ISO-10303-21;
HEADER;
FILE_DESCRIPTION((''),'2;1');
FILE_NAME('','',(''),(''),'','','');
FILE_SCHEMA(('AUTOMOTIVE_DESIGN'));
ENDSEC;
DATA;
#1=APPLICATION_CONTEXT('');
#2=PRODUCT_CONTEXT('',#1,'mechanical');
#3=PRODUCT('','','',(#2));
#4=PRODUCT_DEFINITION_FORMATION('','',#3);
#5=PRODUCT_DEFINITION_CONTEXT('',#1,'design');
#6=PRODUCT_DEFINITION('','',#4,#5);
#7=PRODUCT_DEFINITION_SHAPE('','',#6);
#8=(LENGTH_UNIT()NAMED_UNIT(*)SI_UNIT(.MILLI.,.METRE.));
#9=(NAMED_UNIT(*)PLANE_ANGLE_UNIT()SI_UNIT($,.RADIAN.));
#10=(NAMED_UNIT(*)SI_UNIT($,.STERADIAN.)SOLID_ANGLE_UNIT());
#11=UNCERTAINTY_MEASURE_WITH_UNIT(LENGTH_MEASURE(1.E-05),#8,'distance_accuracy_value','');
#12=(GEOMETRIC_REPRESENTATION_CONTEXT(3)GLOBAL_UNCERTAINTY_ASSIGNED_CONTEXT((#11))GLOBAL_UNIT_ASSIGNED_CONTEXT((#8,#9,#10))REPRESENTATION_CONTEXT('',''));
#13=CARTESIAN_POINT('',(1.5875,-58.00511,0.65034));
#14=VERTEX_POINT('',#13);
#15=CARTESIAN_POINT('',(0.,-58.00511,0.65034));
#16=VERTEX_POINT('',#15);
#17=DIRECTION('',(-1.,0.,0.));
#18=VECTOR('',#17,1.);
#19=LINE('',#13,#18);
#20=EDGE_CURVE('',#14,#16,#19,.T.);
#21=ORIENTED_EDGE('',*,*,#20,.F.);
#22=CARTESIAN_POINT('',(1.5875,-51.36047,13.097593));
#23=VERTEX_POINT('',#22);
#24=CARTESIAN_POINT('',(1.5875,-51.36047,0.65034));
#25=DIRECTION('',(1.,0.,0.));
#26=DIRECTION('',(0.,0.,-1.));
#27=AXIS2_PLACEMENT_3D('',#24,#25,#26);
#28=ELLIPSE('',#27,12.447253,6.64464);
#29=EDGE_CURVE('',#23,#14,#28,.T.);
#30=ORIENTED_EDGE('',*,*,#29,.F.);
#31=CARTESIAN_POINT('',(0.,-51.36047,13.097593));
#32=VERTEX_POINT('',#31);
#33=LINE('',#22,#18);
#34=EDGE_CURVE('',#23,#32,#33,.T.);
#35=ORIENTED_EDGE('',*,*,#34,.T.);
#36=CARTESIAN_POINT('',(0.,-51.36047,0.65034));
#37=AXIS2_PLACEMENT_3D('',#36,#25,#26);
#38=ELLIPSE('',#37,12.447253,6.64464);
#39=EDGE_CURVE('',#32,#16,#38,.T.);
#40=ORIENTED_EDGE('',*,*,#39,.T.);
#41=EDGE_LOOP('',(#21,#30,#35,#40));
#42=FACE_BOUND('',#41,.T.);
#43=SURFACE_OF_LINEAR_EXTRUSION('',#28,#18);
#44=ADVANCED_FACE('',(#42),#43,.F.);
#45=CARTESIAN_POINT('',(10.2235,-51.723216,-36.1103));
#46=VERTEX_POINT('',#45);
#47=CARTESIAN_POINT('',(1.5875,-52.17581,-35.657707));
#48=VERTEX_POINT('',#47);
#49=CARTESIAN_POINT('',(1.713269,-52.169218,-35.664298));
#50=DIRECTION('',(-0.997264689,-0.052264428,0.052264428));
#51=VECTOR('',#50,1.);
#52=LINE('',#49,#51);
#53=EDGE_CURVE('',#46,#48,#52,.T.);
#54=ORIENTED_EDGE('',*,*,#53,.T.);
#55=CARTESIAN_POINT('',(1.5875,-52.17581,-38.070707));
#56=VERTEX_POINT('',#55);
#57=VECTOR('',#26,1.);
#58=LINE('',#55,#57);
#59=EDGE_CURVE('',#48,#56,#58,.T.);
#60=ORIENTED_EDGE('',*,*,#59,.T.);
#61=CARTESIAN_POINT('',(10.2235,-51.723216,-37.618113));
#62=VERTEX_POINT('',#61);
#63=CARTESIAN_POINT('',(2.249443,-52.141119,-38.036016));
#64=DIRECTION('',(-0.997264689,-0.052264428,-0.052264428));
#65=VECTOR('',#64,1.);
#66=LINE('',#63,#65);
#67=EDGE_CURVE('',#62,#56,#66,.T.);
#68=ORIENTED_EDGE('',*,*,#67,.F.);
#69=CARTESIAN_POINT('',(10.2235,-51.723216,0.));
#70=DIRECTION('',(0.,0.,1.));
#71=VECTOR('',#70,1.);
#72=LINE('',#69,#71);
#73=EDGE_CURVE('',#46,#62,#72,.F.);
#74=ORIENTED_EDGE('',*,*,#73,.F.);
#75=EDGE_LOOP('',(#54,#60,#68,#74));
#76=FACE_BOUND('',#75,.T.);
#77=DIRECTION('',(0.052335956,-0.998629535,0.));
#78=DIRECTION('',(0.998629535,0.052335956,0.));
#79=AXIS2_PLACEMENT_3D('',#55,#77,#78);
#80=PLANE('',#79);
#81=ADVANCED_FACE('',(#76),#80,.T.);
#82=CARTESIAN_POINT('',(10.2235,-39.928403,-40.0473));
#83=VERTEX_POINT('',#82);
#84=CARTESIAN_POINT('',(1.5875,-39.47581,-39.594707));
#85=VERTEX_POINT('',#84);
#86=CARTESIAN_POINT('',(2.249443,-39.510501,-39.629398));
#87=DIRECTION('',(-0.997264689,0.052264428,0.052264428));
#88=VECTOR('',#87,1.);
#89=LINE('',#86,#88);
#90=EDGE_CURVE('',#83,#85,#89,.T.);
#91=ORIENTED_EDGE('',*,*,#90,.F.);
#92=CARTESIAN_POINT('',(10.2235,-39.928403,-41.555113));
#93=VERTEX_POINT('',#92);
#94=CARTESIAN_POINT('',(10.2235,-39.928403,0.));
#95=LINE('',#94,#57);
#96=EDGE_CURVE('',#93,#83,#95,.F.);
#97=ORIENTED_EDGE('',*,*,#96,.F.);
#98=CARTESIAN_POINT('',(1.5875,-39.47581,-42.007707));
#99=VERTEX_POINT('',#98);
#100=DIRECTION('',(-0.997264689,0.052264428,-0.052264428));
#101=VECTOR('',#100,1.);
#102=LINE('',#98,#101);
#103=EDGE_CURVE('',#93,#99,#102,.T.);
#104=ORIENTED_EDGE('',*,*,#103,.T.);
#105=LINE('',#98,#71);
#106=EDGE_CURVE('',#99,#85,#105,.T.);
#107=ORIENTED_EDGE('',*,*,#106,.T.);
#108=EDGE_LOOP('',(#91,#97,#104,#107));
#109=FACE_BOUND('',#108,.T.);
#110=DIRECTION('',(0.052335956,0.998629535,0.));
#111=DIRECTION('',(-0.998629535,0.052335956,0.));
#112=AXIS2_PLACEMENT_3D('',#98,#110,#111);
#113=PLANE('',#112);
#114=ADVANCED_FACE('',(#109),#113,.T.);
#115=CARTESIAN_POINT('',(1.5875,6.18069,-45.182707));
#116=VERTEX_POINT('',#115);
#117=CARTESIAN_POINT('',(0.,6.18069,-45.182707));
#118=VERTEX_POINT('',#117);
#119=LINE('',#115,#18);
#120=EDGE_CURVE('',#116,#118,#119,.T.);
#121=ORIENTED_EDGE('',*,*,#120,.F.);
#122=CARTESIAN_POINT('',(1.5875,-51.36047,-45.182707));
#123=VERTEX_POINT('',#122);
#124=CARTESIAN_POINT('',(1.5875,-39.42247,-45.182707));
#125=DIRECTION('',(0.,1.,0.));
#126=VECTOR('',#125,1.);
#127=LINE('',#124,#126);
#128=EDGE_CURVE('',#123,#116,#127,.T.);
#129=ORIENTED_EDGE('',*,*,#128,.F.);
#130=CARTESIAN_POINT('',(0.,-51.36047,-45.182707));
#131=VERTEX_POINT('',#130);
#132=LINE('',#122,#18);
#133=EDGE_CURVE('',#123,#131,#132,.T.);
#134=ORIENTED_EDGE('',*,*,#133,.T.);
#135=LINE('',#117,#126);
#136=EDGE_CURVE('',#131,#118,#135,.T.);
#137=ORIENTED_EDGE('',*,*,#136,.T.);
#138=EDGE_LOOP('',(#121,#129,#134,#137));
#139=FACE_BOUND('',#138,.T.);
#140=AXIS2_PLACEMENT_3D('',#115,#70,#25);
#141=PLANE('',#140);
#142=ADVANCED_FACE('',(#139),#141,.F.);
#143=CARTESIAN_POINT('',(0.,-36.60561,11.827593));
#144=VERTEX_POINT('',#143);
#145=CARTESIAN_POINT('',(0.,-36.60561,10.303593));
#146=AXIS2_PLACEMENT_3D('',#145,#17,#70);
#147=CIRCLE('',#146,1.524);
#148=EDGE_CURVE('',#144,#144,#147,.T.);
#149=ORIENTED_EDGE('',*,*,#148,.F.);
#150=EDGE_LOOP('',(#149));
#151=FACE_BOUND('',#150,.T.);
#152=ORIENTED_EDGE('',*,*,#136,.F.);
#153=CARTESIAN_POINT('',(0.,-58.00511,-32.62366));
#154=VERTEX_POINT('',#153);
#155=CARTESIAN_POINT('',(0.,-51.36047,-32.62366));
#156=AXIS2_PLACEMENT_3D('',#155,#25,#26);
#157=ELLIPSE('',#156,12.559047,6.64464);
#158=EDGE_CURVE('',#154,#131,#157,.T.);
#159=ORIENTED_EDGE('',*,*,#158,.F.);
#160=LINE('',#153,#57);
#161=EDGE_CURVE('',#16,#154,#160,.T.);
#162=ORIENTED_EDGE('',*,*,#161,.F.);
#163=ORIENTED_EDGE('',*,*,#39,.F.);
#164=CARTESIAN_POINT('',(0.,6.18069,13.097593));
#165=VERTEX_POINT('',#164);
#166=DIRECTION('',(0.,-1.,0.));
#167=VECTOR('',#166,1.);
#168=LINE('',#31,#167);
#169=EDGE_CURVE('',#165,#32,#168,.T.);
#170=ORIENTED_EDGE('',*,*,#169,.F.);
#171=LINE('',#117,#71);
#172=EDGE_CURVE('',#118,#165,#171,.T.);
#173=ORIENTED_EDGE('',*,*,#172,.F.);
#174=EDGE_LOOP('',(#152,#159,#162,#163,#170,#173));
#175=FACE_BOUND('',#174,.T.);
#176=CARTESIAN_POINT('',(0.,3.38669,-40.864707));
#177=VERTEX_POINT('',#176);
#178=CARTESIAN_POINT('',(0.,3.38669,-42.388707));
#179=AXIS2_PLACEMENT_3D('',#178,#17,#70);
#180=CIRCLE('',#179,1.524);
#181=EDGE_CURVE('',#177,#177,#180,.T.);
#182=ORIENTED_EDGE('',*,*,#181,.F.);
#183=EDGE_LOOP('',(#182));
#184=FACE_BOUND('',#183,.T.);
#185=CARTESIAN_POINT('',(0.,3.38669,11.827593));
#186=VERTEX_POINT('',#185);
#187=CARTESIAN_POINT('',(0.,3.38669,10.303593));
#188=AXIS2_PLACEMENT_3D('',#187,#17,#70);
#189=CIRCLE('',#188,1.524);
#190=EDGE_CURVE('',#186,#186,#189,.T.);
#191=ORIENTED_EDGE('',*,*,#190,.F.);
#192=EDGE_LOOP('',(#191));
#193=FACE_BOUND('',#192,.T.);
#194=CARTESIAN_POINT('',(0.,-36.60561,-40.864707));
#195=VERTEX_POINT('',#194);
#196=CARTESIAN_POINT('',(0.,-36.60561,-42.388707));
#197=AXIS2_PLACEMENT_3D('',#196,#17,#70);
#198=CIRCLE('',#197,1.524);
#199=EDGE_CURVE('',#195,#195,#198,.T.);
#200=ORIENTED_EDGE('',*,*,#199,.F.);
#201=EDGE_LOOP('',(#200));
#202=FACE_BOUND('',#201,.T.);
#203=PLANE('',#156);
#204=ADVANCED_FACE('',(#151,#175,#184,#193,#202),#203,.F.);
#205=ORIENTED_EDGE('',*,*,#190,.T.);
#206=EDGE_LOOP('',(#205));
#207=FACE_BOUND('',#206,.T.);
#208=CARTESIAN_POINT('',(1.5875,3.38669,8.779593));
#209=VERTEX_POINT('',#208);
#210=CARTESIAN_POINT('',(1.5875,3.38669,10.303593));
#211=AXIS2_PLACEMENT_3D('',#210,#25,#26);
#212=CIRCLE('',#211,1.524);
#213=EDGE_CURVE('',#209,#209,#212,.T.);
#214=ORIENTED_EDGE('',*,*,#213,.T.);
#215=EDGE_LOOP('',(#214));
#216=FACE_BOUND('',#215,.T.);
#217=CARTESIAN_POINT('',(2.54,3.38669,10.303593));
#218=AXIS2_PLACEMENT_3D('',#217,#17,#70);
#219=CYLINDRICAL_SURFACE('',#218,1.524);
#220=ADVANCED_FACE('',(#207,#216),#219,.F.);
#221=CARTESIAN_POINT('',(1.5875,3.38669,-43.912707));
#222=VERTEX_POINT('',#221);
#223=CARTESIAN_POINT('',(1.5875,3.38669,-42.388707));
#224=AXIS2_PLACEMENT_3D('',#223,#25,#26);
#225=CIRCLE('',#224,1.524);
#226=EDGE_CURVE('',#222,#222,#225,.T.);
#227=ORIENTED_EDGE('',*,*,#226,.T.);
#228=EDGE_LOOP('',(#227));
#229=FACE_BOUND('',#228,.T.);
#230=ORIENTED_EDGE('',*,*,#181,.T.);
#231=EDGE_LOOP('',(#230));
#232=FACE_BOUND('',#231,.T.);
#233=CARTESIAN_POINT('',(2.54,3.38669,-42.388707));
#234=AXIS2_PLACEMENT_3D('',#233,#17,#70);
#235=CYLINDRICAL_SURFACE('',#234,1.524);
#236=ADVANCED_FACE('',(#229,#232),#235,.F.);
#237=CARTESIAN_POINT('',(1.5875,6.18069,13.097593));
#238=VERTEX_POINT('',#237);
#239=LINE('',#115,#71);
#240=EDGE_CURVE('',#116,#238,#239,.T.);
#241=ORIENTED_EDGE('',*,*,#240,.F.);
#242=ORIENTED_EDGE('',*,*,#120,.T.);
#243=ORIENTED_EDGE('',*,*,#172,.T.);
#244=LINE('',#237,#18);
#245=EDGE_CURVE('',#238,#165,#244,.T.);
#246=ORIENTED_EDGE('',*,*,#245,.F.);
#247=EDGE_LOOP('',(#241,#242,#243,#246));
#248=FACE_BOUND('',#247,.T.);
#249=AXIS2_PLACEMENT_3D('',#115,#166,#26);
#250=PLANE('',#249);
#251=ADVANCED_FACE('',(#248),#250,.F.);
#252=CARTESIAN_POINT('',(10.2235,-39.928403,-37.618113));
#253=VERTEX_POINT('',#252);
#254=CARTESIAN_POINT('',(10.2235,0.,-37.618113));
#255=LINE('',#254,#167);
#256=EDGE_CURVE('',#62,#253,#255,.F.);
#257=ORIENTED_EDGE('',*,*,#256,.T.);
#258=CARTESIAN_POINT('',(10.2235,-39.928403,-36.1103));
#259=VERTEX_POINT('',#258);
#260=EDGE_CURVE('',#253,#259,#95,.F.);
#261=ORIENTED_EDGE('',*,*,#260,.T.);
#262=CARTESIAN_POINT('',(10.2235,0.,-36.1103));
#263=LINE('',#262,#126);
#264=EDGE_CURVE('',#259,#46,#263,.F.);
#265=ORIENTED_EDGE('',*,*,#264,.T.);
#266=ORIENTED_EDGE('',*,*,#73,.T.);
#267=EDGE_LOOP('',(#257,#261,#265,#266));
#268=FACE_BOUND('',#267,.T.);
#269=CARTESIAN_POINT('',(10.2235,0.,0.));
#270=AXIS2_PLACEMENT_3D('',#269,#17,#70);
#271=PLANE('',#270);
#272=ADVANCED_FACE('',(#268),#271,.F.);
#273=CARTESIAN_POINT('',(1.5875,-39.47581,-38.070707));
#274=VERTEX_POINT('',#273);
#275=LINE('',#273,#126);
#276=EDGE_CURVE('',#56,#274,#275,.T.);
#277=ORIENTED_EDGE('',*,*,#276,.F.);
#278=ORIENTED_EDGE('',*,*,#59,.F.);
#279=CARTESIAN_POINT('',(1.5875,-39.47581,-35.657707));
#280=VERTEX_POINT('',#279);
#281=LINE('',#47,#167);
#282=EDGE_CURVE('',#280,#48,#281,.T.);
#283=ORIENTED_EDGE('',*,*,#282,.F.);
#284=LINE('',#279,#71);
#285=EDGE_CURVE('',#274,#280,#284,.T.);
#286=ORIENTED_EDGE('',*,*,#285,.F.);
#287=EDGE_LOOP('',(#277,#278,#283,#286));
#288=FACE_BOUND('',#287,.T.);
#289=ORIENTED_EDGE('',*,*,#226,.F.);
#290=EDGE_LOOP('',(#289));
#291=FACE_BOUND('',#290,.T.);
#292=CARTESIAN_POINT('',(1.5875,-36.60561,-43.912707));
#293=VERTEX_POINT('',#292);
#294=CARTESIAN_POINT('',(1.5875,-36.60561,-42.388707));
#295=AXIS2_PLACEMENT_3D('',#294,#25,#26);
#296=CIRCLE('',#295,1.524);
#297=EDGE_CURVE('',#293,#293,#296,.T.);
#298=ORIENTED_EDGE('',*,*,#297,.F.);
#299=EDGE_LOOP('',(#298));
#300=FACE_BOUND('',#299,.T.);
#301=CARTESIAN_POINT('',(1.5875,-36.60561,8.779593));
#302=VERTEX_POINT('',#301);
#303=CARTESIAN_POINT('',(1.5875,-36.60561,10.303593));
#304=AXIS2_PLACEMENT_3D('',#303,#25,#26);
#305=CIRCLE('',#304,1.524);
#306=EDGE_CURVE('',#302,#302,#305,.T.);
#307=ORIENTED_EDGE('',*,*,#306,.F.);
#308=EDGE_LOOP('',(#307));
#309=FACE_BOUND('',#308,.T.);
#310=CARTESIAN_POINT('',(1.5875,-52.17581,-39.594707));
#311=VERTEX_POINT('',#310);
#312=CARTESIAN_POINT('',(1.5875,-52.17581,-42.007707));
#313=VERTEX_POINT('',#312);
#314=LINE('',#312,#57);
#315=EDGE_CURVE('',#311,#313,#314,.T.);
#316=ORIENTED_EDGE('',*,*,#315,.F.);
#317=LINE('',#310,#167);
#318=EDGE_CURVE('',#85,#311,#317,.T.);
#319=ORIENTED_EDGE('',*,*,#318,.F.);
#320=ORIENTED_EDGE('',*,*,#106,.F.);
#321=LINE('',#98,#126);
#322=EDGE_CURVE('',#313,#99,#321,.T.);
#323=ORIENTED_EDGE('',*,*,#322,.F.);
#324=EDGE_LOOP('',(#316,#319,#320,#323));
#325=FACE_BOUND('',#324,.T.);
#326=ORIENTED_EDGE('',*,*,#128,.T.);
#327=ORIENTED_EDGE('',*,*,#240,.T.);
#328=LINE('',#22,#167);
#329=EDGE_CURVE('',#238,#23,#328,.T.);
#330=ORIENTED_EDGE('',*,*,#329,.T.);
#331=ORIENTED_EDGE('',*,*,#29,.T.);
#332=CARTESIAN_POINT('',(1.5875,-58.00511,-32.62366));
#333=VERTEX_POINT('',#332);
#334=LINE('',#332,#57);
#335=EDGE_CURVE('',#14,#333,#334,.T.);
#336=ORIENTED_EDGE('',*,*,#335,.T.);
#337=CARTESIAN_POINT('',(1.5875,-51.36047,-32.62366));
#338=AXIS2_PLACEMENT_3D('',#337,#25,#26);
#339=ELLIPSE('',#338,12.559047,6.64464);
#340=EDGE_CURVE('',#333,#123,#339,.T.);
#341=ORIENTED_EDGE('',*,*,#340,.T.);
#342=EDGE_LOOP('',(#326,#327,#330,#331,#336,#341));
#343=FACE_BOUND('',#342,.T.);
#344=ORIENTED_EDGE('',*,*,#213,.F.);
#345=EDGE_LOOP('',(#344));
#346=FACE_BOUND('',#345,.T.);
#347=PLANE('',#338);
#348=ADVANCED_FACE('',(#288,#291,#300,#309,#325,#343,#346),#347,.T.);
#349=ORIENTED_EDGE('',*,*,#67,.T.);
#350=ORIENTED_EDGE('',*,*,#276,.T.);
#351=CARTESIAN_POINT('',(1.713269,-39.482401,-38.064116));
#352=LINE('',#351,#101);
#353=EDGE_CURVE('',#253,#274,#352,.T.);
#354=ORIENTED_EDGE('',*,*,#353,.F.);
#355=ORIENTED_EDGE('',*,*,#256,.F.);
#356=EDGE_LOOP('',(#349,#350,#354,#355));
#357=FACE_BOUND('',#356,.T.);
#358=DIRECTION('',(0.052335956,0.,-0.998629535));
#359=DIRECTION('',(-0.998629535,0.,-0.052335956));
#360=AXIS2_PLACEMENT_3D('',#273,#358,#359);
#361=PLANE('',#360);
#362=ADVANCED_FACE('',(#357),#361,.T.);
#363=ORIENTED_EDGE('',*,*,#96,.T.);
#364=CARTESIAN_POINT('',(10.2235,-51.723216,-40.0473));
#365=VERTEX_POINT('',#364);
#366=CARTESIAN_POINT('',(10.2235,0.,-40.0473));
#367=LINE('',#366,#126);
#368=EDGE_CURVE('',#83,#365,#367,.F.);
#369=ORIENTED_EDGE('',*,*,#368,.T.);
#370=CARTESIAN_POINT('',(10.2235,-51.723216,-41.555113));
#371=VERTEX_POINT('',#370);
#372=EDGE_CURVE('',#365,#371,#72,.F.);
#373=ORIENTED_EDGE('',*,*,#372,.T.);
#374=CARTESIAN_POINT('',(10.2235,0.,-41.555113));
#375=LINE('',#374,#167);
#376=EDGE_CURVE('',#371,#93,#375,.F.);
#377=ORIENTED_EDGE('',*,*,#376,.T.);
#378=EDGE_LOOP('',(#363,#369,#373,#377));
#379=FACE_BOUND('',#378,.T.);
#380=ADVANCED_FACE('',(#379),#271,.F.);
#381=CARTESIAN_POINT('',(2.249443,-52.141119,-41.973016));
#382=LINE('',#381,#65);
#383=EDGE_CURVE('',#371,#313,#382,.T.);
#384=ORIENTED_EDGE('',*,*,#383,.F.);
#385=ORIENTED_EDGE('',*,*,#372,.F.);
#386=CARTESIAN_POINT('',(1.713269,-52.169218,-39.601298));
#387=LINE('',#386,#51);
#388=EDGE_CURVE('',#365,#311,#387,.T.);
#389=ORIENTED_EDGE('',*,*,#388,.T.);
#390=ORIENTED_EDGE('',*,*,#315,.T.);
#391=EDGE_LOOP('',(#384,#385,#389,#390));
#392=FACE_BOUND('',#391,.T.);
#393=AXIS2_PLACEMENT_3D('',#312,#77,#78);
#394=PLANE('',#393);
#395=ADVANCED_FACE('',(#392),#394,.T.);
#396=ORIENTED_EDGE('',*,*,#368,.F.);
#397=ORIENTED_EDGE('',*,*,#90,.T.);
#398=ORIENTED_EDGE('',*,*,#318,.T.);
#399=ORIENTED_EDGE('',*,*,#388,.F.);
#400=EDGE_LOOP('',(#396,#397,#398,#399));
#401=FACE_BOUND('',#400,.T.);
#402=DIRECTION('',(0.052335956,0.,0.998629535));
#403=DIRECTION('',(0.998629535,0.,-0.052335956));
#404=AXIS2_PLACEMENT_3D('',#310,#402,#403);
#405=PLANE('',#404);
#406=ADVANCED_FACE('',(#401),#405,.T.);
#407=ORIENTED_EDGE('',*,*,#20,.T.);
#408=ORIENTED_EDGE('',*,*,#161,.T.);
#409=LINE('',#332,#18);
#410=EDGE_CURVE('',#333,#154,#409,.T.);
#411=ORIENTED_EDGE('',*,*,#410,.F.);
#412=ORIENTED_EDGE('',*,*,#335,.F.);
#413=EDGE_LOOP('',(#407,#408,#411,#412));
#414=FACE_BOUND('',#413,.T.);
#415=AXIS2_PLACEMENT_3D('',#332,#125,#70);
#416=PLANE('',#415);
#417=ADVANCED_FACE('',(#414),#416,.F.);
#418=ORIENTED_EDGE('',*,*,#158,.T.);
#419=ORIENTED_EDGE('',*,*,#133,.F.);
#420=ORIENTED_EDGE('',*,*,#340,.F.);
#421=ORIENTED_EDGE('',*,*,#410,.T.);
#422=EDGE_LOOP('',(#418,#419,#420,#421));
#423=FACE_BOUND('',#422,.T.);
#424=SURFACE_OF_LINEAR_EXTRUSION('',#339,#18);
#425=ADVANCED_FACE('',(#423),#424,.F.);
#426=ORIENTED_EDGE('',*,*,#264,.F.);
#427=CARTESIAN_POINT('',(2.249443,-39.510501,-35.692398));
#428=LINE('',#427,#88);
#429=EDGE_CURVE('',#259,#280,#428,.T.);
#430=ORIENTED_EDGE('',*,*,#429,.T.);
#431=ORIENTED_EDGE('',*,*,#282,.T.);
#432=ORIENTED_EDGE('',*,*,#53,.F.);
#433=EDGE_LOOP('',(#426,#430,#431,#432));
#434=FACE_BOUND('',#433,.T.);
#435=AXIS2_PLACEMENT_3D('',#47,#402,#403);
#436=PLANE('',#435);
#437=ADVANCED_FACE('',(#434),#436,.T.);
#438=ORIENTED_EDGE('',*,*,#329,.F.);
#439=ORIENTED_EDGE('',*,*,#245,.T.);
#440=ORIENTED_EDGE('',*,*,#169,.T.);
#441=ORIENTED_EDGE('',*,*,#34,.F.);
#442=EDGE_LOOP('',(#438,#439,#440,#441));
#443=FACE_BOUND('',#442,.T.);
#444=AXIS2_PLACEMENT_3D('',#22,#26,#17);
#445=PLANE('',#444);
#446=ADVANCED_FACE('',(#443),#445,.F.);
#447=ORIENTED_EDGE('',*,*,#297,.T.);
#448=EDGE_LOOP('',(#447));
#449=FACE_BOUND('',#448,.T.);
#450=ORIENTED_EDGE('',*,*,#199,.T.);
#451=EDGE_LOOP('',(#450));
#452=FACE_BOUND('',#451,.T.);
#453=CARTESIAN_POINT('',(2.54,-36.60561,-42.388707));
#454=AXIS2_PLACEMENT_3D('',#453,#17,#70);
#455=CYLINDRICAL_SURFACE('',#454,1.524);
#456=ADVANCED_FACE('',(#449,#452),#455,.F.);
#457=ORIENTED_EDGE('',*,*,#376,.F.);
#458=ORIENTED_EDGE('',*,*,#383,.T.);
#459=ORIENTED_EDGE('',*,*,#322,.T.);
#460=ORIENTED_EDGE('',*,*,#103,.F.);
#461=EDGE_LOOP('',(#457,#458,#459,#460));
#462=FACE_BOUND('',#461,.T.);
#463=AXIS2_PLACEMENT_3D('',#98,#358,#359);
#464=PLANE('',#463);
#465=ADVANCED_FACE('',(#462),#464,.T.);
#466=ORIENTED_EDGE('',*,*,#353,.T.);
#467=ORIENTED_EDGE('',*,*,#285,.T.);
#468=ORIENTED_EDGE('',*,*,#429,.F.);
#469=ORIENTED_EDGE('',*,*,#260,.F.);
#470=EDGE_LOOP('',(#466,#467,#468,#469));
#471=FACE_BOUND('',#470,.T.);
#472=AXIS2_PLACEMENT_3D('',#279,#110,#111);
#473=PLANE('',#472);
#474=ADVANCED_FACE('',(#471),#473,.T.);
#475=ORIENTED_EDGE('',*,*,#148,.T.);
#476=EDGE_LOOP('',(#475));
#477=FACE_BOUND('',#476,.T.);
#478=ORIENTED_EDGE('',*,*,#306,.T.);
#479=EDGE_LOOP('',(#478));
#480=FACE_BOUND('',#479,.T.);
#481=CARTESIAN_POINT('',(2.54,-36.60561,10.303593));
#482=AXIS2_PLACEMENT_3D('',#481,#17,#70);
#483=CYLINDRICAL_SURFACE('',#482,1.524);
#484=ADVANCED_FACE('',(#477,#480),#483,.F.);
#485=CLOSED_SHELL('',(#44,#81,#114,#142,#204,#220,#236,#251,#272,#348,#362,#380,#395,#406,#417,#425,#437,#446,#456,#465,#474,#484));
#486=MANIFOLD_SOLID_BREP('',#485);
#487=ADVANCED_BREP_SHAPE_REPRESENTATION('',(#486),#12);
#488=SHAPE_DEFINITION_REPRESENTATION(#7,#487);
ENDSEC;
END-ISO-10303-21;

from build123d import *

# Parameters (mm, degrees)
BOSS_EXTRUDE1_DEPTH           = 1.5875
SKETCH2_R                     = 1.524
CUT_EXTRUDE1_DEPTH            = 2.54
SKETCH6_W                     = 2.413
SKETCH6_H                     = 12.7
BOSS_EXTRUDE2_DEPTH           = 8.636
BOSS_EXTRUDE2_DRAFT           = 3
BOSS_EXTRUDE2_PROFILE_2_DEPTH = 8.636
BOSS_EXTRUDE2_PROFILE_2_DRAFT = 3


with BuildPart() as part:
    # Sketch1 → Boss-Extrude1 (new body)
    with BuildSketch(Plane(origin=(0, 0, 0), x_dir=(0, 0, -1), z_dir=(1, 0, 0))):
        with BuildLine():
            Line((45.182706914, 6.18069038), (-13.097593086, 6.18069038))
            Line((-13.097593086, 6.18069038), (-13.097593086, -51.36046962))
            add(Edge.make_bspline(
                [(-13.097593086, -51.36046962), (-13.097593086, -58.00510962), (-0.650340424, -58.00510962)],
                knots=[3.141592654, 3.141592654, 3.141592654, 4.71238898, 4.71238898, 4.71238898], degree=2, weights=[1, 0.707106781, 1]))
            Line((-0.650340424, -58.00510962), (32.623659576, -58.00510962))
            add(Edge.make_bspline(
                [(32.623659576, -58.00510962), (45.182706914, -58.00510962), (45.182706914, -51.36046962)],
                knots=[4.71238898, 4.71238898, 4.71238898, 6.283185307, 6.283185307, 6.283185307], degree=2, weights=[1, 0.707106781, 1]))
            Line((45.182706914, -51.36046962), (45.182706914, -39.42246962))
            Line((45.182706914, -39.42246962), (45.182706914, 6.18069038))
        make_face()
    extrude(amount=BOSS_EXTRUDE1_DEPTH)

    # Sketch2 → Cut-Extrude1 (cut)
    with BuildSketch(Plane.ZY):
        with Locations((-42.388706914, 3.38669038)):
            Circle(SKETCH2_R)
        with Locations((10.303593086, 3.38669038)):
            Circle(SKETCH2_R)
        with Locations((-42.388706914, -36.60560962)):
            Circle(SKETCH2_R)
        with Locations((10.303593086, -36.60560962)):
            Circle(SKETCH2_R)
    extrude(amount=-CUT_EXTRUDE1_DEPTH, mode=Mode.SUBTRACT)


with BuildPart() as boss_extrude2_tool:
    # Sketch6 → Boss-Extrude2 (with draft: the straight prism first)
    with BuildSketch(Plane(origin=(1.5875, 0, 0), x_dir=(0, 0, -1), z_dir=(1, 0, 0))):
        with Locations((40.801206914, -45.82580962)):
            Rectangle(SKETCH6_W, SKETCH6_H)
    extrude(amount=BOSS_EXTRUDE2_DEPTH)
    # Boss-Extrude2: the draft: its side faces are tilted about the plane it starts from
    boss_extrude2_sides = [boss_extrude2_tool.faces().sort_by_distance(p)[0] for p in [
        (5.9055, -39.47580962, -40.801206914),
        (5.9055, -45.82580962, -39.594706914),
        (5.9055, -52.17580962, -40.801206914),
        (5.9055, -45.82580962, -42.007706914),
    ]]
    draft(boss_extrude2_sides, Plane(origin=(1.5875, 0, 0), x_dir=(0, 0, -1), z_dir=(1, 0, 0)), BOSS_EXTRUDE2_DRAFT)


with BuildPart() as part_1:
    add(part.part)

    # Boss-Extrude2: add boss_extrude2_tool
    add(boss_extrude2_tool.part)


with BuildPart() as boss_extrude2_profile_2_tool:
    # Sketch6 → Boss-Extrude2 profile 2 (with draft: the straight prism first)
    with BuildSketch(Plane(origin=(1.5875, 0, 0), x_dir=(0, 0, -1), z_dir=(1, 0, 0))):
        with Locations((36.864206914, -45.82580962)):
            Rectangle(SKETCH6_W, SKETCH6_H)
    extrude(amount=BOSS_EXTRUDE2_PROFILE_2_DEPTH)
    # Boss-Extrude2 profile 2: the draft: its side faces are tilted about the plane it starts from
    boss_extrude2_profile_2_sides = [boss_extrude2_profile_2_tool.faces().sort_by_distance(p)[0] for p in [
        (5.9055, -52.17580962, -36.864206914),
        (5.9055, -45.82580962, -38.070706914),
        (5.9055, -39.47580962, -36.864206914),
        (5.9055, -45.82580962, -35.657706914),
    ]]
    draft(boss_extrude2_profile_2_sides, Plane(origin=(1.5875, 0, 0), x_dir=(0, 0, -1), z_dir=(1, 0, 0)), BOSS_EXTRUDE2_PROFILE_2_DRAFT)


with BuildPart() as part_2:
    add(part_1.part)

    # Boss-Extrude2 profile 2: add boss_extrude2_profile_2_tool
    add(boss_extrude2_profile_2_tool.part)


solid = part_2.part
